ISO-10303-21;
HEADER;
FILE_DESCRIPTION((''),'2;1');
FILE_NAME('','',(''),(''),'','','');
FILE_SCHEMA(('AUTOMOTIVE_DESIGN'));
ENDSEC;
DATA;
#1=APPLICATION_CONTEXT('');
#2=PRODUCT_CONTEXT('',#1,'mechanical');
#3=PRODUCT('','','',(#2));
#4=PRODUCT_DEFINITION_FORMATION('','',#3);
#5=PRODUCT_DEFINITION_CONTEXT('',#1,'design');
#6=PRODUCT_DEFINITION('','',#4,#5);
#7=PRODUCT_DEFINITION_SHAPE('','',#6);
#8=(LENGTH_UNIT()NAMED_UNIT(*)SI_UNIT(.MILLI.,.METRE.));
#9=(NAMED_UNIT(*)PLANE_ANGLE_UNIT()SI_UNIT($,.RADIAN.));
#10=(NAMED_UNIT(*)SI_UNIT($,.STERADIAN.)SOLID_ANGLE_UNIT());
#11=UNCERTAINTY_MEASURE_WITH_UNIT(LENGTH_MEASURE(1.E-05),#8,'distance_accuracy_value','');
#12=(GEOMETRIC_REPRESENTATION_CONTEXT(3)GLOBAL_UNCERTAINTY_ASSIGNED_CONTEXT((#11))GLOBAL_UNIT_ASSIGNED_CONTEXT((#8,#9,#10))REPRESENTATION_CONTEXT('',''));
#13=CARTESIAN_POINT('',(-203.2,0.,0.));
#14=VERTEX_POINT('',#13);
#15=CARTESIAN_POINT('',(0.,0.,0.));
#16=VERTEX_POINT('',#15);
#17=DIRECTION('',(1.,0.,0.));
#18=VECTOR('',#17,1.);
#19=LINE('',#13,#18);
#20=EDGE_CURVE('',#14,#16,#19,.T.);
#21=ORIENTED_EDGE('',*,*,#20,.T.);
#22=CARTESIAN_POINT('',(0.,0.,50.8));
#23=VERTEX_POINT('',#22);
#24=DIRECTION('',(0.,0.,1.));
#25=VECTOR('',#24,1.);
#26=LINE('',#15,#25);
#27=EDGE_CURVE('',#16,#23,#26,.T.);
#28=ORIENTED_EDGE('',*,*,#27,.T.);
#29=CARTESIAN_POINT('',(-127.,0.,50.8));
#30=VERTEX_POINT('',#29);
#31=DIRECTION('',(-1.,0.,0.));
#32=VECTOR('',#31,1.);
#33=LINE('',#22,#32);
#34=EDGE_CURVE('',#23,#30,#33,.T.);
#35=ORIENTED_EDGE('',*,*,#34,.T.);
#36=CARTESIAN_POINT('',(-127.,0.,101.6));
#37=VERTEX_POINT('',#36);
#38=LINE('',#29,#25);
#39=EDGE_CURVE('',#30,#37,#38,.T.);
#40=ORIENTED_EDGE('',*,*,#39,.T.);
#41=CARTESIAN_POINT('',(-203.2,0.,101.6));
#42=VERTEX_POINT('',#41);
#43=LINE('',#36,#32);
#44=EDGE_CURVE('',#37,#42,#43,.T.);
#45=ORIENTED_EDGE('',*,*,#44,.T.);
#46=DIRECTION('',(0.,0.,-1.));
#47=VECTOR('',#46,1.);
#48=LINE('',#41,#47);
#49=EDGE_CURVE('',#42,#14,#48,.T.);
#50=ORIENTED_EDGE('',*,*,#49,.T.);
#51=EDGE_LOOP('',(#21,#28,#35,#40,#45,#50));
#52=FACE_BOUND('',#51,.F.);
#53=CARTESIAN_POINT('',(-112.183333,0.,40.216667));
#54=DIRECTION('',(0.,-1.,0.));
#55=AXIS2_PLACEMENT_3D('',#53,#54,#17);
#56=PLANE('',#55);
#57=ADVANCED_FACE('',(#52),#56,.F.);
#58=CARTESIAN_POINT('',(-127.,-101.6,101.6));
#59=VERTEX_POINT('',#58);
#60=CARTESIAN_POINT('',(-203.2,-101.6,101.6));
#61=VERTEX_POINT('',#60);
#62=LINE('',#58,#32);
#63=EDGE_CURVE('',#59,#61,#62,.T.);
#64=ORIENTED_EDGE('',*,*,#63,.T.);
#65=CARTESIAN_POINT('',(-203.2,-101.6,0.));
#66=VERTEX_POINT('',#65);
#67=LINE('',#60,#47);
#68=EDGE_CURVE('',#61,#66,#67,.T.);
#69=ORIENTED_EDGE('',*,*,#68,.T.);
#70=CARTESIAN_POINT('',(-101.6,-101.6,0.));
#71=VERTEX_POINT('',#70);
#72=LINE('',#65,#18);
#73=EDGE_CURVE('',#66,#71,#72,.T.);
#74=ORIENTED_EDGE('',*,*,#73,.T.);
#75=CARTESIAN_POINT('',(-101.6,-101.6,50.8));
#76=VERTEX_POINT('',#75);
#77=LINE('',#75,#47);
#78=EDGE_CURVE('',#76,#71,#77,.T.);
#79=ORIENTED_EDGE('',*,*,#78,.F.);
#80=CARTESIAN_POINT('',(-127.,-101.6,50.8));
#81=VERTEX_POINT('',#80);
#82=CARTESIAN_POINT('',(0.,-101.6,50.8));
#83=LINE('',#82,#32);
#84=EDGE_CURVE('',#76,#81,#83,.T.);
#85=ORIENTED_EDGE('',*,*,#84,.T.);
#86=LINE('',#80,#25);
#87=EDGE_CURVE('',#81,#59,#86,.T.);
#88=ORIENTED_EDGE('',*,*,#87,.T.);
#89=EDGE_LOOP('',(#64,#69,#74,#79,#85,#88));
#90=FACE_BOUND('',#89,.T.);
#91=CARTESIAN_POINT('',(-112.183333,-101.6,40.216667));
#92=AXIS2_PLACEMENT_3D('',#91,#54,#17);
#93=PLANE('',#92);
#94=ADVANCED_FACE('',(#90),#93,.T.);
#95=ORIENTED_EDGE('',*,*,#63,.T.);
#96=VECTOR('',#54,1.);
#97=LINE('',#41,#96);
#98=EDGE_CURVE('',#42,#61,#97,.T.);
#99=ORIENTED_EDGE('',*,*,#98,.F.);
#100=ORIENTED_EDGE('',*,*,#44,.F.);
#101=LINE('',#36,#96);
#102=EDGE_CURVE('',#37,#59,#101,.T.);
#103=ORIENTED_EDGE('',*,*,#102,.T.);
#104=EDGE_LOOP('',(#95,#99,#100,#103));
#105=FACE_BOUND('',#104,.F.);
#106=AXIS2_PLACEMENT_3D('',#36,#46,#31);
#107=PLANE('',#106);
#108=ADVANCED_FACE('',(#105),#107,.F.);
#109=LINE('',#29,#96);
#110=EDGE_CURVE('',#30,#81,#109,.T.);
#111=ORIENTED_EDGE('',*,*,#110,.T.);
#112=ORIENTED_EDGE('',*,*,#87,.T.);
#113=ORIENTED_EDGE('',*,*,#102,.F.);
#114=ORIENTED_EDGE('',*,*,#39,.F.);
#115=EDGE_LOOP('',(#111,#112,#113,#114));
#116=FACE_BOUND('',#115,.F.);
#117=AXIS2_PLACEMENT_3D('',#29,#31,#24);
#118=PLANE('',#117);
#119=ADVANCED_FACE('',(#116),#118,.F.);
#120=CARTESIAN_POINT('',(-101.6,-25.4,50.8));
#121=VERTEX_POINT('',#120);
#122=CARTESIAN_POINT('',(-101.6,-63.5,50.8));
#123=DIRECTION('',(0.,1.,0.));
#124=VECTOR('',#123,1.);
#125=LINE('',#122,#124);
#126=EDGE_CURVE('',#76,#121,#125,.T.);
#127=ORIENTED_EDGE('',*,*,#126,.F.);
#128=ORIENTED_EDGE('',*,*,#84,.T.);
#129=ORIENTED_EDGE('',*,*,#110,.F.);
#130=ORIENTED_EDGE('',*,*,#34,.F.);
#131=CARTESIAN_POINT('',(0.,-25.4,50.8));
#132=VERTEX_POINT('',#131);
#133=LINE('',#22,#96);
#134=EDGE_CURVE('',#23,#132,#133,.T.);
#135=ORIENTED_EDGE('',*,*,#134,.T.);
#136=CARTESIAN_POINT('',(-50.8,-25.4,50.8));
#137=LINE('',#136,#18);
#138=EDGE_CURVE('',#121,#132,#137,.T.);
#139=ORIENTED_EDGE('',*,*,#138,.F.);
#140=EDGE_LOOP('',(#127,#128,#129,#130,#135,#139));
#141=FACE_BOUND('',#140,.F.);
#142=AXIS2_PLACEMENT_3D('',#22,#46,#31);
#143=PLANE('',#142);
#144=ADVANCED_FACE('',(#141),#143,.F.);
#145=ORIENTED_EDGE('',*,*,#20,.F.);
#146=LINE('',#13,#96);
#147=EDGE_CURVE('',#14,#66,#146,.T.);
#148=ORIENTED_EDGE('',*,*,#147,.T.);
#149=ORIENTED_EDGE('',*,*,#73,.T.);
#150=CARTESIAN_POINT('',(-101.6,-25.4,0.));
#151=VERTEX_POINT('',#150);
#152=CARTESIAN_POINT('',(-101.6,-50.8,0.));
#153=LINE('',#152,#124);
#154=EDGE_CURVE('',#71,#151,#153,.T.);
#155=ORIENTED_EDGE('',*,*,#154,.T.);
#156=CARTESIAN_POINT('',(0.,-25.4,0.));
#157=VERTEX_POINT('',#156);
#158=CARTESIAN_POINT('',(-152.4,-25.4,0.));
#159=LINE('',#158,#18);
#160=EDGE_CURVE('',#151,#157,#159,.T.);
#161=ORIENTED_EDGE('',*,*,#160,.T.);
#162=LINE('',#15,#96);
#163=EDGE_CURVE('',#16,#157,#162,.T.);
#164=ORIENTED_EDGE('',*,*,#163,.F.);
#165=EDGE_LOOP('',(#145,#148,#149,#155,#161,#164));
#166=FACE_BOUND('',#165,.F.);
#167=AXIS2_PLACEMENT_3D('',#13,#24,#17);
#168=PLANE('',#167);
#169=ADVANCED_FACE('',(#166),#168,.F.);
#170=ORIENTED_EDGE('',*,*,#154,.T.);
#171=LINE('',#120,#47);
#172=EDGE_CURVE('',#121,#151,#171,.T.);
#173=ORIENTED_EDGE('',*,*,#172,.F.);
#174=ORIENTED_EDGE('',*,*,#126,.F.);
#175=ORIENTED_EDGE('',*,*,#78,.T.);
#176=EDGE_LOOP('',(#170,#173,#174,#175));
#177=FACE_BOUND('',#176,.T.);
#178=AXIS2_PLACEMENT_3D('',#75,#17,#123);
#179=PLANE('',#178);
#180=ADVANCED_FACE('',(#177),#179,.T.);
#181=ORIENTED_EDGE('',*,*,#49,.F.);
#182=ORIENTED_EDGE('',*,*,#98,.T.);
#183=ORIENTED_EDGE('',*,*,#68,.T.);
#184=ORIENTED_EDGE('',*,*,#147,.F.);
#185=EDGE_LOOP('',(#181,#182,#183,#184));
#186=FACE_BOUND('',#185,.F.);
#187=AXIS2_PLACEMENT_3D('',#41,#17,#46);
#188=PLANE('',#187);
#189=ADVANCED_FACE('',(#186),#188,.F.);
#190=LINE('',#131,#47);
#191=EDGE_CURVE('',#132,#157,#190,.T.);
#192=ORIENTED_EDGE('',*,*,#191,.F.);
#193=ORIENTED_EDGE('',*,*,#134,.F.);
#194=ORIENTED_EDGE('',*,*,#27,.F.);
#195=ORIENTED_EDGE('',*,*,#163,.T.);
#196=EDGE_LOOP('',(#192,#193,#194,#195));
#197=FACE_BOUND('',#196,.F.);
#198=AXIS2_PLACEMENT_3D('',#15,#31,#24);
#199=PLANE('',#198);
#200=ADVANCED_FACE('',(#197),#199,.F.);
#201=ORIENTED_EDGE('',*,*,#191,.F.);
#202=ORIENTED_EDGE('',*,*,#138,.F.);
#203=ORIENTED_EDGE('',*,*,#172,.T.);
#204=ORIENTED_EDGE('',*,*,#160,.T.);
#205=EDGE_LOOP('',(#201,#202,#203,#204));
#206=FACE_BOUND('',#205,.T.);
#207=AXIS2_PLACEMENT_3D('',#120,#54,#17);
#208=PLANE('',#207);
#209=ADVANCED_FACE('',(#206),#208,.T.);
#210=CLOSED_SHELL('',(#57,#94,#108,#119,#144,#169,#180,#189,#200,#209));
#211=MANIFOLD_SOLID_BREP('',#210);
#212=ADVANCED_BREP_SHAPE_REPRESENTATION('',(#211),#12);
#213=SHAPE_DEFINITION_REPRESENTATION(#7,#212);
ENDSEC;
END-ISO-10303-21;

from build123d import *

# Parameters (mm, degrees)
F1_DEPTH = 101.6
F2_W     = 101.6
F2_H     = 76.2
F3_DEPTH = 101.6


with BuildPart() as f1:
    # F0 (on Front) → F1 (new body)
    with BuildSketch(Plane.XZ):
        Polygon((-203.2, 0), (0, 0), (0, 50.8), (-127, 50.8), (-127, 101.6), (-203.2, 101.6), align=None)
    extrude(amount=F1_DEPTH)

    # F2 (on face) → F3 (cut)
    with BuildSketch(Plane.XY.offset(50.8)):
        with Locations((-50.8, -63.5)):
            Rectangle(F2_W, F2_H)
    extrude(amount=-F3_DEPTH, mode=Mode.SUBTRACT)


solid = f1.part
